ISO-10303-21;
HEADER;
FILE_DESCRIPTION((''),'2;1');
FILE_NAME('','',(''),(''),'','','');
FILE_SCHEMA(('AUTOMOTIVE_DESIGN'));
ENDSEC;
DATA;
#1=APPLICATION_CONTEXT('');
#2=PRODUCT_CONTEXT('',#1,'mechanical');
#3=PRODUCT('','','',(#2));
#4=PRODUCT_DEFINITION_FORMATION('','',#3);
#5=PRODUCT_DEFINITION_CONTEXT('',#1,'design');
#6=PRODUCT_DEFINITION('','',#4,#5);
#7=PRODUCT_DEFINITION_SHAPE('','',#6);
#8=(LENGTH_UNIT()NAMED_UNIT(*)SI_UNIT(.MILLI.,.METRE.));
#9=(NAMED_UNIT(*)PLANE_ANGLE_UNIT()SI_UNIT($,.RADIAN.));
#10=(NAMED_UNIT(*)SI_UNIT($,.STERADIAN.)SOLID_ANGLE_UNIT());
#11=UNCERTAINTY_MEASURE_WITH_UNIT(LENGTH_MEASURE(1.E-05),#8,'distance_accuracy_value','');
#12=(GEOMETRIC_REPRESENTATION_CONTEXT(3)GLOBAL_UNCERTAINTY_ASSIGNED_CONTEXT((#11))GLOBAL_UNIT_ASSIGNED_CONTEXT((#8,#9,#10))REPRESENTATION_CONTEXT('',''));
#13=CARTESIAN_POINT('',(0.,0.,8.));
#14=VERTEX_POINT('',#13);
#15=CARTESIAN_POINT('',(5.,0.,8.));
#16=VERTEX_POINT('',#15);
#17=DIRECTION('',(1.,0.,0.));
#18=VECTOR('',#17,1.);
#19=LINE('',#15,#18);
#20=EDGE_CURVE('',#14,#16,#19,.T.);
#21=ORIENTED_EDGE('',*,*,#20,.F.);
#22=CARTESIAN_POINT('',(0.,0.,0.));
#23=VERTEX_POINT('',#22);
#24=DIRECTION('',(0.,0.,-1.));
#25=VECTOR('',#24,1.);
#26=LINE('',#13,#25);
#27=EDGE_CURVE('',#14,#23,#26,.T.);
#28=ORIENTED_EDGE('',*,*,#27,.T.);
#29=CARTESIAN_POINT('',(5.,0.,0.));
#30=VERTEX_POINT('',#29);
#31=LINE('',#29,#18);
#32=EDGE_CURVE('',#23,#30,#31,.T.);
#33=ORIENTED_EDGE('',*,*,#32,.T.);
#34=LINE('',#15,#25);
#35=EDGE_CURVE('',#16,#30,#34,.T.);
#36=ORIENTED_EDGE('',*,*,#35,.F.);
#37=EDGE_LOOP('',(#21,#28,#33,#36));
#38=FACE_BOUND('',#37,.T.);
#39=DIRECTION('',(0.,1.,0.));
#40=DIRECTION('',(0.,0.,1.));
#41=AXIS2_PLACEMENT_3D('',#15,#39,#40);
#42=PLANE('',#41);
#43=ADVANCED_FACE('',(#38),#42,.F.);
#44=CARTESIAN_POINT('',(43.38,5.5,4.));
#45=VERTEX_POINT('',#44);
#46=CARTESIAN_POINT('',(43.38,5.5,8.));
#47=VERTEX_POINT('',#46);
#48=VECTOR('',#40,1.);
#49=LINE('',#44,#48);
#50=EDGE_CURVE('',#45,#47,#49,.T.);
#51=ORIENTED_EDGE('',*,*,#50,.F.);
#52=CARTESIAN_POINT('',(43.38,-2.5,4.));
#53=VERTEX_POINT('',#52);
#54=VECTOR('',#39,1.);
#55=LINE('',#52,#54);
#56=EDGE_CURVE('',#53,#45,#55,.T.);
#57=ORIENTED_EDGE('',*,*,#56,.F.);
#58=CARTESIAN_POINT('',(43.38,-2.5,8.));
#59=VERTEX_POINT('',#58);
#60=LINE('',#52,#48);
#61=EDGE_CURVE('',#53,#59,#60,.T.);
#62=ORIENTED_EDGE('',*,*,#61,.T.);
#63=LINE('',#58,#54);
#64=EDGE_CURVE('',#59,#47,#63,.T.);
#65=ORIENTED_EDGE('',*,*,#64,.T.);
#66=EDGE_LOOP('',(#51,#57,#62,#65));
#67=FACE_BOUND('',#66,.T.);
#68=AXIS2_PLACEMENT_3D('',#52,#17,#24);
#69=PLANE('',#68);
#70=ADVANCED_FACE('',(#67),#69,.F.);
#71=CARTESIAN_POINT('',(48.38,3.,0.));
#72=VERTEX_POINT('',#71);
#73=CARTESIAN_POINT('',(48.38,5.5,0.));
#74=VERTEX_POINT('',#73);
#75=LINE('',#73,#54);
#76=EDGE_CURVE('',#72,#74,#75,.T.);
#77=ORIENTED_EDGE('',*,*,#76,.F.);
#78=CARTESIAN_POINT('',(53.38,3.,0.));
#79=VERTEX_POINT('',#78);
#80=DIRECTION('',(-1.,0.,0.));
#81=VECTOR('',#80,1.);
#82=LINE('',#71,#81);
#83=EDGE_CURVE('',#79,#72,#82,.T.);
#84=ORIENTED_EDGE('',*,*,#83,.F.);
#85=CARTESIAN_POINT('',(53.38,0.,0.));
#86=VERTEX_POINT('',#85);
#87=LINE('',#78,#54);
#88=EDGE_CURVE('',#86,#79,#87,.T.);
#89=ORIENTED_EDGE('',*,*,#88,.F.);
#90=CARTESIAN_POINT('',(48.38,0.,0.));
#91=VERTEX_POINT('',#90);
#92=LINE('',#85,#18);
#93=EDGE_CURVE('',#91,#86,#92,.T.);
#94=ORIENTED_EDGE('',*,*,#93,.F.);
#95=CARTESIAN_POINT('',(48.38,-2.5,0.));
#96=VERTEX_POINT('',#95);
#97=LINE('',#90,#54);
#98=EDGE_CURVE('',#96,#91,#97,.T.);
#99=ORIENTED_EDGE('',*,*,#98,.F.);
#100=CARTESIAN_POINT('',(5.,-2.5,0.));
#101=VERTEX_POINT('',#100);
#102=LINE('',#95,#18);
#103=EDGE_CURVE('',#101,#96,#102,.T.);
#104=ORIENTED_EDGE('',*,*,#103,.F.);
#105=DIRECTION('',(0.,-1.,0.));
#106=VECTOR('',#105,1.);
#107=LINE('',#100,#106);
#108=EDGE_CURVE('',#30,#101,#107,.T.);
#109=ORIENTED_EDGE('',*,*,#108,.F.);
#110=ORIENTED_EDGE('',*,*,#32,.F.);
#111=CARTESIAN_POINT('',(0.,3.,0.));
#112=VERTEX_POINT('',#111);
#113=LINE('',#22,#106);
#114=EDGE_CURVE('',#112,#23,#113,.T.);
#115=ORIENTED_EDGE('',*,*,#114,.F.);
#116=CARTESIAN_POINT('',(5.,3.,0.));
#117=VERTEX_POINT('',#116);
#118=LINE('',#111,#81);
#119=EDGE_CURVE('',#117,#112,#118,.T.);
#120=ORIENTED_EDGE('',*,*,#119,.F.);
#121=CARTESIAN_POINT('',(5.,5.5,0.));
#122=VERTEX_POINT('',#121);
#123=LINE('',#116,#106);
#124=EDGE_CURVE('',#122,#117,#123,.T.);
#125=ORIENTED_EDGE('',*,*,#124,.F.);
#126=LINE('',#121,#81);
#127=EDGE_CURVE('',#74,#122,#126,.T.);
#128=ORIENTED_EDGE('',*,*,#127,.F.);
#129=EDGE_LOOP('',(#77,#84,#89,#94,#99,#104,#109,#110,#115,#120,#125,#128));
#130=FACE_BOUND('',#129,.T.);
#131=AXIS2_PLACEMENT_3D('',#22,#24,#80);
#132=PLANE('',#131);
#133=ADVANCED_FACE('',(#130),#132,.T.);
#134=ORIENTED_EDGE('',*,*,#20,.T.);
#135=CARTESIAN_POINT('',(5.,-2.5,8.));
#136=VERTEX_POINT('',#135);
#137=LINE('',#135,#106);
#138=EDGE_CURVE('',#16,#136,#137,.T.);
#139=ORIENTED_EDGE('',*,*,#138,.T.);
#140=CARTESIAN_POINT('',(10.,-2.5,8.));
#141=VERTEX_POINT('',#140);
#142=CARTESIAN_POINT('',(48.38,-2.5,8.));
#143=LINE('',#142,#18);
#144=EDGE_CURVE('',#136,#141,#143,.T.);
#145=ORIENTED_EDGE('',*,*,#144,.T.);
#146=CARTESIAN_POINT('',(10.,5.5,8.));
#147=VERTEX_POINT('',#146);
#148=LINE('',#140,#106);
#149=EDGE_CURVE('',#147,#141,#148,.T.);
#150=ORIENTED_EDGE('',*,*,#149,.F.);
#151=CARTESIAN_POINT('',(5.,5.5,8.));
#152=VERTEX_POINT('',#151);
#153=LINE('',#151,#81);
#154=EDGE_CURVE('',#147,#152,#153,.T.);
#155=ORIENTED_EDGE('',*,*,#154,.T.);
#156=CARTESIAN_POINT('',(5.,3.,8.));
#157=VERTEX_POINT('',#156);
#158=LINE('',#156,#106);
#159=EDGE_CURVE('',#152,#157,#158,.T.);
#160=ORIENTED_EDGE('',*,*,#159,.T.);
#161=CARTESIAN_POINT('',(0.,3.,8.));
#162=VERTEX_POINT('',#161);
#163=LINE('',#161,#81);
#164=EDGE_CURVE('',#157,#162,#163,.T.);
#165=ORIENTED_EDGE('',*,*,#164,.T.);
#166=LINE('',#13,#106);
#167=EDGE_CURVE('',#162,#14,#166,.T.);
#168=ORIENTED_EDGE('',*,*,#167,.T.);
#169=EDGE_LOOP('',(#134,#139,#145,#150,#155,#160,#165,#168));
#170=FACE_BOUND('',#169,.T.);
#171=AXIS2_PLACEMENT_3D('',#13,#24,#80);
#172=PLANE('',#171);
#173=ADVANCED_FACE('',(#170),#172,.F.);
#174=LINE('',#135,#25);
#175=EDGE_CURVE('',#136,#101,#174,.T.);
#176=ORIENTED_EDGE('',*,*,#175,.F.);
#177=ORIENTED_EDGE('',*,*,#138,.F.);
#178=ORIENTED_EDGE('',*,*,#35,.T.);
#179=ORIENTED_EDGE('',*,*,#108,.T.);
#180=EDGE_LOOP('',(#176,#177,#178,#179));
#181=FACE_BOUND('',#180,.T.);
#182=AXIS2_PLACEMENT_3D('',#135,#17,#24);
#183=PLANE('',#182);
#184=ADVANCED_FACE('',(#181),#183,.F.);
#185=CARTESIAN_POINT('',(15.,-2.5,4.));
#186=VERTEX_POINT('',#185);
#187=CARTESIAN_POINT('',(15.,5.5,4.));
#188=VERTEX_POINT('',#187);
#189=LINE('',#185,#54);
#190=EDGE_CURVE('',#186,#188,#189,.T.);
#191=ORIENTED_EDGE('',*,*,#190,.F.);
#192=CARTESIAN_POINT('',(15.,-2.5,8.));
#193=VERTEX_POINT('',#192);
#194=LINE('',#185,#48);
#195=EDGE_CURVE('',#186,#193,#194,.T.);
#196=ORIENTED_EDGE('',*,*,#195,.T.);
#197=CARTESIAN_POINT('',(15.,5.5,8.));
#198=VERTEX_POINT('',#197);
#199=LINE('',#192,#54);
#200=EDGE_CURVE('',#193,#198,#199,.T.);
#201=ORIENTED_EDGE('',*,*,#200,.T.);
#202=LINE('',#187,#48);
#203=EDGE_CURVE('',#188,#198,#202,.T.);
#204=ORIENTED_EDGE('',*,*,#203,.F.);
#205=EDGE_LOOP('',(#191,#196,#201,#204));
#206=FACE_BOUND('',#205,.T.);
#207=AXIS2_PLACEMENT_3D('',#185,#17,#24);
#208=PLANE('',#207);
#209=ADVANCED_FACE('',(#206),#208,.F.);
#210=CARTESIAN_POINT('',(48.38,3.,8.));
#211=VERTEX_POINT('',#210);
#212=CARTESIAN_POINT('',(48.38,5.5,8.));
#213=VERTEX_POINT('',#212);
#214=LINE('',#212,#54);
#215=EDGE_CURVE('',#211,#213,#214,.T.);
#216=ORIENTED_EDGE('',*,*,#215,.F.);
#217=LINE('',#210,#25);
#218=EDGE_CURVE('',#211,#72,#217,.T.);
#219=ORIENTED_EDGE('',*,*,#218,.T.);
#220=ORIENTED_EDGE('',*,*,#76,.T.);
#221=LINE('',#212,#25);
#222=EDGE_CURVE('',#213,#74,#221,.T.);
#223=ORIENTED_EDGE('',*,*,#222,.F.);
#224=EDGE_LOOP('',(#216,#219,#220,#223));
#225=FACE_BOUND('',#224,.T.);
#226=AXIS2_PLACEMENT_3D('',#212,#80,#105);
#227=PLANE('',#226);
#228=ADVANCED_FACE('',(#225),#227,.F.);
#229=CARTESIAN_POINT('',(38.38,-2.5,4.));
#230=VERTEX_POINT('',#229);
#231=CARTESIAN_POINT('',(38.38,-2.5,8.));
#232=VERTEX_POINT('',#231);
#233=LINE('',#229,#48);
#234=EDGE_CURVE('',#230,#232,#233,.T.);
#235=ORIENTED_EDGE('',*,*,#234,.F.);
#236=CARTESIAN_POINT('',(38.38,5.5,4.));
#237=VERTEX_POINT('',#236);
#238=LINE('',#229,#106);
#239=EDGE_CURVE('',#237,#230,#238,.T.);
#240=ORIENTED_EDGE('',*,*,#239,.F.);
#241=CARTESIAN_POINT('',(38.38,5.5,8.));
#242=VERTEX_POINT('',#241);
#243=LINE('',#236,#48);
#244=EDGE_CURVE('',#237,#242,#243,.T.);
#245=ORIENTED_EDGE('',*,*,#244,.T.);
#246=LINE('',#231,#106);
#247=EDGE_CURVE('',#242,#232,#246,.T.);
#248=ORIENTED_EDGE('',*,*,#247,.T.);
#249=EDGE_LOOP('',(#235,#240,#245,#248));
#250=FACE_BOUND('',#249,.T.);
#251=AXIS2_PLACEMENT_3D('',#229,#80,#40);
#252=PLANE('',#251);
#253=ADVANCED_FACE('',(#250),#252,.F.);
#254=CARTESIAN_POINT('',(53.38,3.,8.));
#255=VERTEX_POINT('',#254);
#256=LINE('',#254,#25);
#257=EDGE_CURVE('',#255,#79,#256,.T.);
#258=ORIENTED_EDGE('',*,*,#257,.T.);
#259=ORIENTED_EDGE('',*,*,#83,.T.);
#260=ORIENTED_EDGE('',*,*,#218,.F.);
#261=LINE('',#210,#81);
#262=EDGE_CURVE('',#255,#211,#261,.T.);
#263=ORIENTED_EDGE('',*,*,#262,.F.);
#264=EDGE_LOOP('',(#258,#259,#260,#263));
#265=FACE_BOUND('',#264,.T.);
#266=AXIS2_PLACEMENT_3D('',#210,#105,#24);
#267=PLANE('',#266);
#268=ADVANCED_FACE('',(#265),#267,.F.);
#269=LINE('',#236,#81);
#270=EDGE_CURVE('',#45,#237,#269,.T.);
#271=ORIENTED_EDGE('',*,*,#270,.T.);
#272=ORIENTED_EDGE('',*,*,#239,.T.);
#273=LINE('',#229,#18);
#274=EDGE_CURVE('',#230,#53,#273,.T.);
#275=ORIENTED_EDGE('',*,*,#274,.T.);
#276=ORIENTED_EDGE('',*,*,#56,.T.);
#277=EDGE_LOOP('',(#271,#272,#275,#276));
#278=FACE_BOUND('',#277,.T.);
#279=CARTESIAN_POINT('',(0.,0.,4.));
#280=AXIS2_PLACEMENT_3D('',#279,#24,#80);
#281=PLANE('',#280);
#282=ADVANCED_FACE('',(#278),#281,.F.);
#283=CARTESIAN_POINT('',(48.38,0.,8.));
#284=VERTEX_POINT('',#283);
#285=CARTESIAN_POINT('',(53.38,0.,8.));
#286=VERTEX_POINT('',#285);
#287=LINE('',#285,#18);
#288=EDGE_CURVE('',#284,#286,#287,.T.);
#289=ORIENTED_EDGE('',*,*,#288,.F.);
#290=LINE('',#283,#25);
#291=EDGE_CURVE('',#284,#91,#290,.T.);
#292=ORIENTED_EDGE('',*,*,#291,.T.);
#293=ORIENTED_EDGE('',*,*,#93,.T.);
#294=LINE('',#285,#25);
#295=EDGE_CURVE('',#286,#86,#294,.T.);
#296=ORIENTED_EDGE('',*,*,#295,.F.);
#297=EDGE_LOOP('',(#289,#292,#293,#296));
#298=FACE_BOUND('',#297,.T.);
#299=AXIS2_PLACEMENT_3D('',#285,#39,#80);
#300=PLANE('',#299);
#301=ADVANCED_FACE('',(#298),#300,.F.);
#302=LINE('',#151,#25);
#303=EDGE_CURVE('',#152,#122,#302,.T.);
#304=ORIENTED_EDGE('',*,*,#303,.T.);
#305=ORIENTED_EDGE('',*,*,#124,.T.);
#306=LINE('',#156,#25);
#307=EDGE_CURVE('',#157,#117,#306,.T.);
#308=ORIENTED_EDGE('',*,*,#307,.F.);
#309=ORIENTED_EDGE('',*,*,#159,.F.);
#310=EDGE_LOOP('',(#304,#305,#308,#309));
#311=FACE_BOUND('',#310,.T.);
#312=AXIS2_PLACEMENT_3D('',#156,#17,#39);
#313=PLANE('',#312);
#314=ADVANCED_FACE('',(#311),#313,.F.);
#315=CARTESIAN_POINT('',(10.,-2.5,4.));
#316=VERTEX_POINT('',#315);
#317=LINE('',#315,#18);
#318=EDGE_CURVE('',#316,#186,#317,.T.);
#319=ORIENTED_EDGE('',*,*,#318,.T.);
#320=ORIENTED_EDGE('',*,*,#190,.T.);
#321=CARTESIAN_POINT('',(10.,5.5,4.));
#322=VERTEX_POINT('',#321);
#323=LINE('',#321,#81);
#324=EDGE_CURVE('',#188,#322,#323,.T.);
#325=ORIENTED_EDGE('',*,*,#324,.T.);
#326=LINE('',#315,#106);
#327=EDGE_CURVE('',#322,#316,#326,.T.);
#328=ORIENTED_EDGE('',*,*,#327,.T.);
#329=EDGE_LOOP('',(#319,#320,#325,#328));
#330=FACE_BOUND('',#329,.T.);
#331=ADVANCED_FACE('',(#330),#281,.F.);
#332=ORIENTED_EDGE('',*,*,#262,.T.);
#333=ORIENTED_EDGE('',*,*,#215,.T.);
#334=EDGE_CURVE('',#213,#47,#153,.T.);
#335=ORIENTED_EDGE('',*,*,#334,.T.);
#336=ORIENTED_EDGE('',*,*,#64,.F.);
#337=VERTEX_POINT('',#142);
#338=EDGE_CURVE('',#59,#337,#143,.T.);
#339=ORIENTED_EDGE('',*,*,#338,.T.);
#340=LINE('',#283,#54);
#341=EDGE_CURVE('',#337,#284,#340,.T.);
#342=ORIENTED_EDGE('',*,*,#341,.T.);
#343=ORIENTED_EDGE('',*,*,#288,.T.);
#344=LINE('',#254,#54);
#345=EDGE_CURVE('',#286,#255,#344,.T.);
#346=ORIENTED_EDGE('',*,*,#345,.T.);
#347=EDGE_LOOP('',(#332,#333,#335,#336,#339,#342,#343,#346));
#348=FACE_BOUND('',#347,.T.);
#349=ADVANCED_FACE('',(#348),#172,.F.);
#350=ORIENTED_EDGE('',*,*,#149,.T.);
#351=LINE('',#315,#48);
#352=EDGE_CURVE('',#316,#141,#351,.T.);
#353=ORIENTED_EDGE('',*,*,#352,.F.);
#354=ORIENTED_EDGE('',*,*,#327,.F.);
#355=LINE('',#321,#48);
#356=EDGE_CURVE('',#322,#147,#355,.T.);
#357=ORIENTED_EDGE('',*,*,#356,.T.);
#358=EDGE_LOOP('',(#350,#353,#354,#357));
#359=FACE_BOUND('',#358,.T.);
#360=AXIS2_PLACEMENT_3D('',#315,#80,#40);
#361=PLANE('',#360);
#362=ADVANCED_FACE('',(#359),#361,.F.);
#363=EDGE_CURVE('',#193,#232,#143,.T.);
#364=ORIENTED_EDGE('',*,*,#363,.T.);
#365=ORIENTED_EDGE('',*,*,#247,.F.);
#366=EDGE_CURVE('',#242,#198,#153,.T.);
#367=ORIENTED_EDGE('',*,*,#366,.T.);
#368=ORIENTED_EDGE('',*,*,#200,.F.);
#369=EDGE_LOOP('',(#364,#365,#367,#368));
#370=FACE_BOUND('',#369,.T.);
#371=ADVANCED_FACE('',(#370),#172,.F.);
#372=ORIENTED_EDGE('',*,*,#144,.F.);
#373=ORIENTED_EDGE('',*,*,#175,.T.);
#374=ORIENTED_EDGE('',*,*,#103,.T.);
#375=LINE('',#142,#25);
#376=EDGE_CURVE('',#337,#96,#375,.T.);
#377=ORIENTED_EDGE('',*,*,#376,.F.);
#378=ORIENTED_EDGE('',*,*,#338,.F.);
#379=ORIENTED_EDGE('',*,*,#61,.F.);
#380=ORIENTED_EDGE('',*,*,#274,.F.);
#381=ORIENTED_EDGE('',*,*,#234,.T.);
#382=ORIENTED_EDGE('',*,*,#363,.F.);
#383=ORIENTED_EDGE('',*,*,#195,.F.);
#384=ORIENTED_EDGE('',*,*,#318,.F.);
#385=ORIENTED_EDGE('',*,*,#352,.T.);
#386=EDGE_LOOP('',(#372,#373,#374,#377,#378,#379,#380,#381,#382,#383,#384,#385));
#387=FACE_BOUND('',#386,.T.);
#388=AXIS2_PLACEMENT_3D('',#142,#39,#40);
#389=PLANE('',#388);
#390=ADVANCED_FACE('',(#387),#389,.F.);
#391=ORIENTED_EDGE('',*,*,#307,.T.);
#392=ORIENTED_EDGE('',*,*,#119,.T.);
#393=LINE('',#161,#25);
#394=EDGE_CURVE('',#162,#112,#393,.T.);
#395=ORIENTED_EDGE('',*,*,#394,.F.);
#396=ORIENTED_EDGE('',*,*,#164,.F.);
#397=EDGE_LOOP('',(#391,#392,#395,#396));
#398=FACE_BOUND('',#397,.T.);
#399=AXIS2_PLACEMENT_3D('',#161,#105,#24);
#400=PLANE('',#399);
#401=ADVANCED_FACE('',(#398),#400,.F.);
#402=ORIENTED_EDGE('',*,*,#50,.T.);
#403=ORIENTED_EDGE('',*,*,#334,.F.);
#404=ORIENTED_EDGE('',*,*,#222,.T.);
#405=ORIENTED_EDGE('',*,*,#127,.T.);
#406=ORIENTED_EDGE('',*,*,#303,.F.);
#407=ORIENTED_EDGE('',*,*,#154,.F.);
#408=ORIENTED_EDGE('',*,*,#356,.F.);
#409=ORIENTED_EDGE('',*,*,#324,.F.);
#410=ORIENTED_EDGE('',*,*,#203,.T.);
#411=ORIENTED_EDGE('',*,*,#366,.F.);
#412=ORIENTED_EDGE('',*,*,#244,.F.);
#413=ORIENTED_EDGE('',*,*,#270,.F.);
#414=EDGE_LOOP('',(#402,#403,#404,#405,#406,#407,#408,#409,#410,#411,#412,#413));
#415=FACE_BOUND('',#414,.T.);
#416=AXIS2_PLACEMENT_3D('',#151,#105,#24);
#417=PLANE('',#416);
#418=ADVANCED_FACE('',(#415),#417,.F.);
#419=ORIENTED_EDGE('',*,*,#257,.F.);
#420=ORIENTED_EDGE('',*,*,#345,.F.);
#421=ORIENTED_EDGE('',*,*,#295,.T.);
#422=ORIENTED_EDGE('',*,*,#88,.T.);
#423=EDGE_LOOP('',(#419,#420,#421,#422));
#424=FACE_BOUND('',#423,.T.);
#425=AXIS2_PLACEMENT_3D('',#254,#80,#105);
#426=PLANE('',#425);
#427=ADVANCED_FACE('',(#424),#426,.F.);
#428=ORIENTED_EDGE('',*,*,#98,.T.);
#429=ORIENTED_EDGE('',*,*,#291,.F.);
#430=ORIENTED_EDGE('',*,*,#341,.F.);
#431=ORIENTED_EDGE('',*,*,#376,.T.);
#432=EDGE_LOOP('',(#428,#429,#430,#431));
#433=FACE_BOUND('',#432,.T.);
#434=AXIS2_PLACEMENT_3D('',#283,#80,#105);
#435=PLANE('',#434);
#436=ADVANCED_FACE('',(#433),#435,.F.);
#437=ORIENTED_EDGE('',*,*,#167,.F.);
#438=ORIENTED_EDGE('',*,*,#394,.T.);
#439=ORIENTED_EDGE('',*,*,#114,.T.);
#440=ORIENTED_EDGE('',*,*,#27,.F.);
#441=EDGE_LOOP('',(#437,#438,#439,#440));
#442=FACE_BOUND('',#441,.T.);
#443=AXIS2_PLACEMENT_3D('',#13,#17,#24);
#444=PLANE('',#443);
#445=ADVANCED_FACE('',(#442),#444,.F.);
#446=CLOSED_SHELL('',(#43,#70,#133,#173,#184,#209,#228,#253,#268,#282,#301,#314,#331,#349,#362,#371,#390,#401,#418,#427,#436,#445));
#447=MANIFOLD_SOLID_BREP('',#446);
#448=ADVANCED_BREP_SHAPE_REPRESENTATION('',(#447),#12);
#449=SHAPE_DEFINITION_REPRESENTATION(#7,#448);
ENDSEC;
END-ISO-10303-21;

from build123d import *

# Parameters (mm, degrees)
BOSS_EXTRUDE1_DEPTH = 8
SKETCH2_W           = 5
SKETCH2_H           = 8
CUT_EXTRUDE1_DEPTH  = 4


with BuildPart() as part:
    # Sketch1 → Boss-Extrude1 (new body)
    with BuildSketch(Plane.XY):
        Polygon((0, 0), (0, 3), (5, 3), (5, 5.5), (48.38, 5.5), (48.38, 3), (53.38, 3), (53.38, 0), (48.38, 0), (48.38, -2.5), (5, -2.5), (5, 0), align=None)
    extrude(amount=BOSS_EXTRUDE1_DEPTH)

    # Sketch2 → Cut-Extrude1 (cut)
    with BuildSketch(Plane.XY.offset(8)):
        with Locations((12.5, 1.5)):
            Rectangle(SKETCH2_W, SKETCH2_H)
        with Locations((40.88, 1.5)):
            Rectangle(SKETCH2_W, SKETCH2_H)
    extrude(amount=-CUT_EXTRUDE1_DEPTH, mode=Mode.SUBTRACT)


solid = part.part
